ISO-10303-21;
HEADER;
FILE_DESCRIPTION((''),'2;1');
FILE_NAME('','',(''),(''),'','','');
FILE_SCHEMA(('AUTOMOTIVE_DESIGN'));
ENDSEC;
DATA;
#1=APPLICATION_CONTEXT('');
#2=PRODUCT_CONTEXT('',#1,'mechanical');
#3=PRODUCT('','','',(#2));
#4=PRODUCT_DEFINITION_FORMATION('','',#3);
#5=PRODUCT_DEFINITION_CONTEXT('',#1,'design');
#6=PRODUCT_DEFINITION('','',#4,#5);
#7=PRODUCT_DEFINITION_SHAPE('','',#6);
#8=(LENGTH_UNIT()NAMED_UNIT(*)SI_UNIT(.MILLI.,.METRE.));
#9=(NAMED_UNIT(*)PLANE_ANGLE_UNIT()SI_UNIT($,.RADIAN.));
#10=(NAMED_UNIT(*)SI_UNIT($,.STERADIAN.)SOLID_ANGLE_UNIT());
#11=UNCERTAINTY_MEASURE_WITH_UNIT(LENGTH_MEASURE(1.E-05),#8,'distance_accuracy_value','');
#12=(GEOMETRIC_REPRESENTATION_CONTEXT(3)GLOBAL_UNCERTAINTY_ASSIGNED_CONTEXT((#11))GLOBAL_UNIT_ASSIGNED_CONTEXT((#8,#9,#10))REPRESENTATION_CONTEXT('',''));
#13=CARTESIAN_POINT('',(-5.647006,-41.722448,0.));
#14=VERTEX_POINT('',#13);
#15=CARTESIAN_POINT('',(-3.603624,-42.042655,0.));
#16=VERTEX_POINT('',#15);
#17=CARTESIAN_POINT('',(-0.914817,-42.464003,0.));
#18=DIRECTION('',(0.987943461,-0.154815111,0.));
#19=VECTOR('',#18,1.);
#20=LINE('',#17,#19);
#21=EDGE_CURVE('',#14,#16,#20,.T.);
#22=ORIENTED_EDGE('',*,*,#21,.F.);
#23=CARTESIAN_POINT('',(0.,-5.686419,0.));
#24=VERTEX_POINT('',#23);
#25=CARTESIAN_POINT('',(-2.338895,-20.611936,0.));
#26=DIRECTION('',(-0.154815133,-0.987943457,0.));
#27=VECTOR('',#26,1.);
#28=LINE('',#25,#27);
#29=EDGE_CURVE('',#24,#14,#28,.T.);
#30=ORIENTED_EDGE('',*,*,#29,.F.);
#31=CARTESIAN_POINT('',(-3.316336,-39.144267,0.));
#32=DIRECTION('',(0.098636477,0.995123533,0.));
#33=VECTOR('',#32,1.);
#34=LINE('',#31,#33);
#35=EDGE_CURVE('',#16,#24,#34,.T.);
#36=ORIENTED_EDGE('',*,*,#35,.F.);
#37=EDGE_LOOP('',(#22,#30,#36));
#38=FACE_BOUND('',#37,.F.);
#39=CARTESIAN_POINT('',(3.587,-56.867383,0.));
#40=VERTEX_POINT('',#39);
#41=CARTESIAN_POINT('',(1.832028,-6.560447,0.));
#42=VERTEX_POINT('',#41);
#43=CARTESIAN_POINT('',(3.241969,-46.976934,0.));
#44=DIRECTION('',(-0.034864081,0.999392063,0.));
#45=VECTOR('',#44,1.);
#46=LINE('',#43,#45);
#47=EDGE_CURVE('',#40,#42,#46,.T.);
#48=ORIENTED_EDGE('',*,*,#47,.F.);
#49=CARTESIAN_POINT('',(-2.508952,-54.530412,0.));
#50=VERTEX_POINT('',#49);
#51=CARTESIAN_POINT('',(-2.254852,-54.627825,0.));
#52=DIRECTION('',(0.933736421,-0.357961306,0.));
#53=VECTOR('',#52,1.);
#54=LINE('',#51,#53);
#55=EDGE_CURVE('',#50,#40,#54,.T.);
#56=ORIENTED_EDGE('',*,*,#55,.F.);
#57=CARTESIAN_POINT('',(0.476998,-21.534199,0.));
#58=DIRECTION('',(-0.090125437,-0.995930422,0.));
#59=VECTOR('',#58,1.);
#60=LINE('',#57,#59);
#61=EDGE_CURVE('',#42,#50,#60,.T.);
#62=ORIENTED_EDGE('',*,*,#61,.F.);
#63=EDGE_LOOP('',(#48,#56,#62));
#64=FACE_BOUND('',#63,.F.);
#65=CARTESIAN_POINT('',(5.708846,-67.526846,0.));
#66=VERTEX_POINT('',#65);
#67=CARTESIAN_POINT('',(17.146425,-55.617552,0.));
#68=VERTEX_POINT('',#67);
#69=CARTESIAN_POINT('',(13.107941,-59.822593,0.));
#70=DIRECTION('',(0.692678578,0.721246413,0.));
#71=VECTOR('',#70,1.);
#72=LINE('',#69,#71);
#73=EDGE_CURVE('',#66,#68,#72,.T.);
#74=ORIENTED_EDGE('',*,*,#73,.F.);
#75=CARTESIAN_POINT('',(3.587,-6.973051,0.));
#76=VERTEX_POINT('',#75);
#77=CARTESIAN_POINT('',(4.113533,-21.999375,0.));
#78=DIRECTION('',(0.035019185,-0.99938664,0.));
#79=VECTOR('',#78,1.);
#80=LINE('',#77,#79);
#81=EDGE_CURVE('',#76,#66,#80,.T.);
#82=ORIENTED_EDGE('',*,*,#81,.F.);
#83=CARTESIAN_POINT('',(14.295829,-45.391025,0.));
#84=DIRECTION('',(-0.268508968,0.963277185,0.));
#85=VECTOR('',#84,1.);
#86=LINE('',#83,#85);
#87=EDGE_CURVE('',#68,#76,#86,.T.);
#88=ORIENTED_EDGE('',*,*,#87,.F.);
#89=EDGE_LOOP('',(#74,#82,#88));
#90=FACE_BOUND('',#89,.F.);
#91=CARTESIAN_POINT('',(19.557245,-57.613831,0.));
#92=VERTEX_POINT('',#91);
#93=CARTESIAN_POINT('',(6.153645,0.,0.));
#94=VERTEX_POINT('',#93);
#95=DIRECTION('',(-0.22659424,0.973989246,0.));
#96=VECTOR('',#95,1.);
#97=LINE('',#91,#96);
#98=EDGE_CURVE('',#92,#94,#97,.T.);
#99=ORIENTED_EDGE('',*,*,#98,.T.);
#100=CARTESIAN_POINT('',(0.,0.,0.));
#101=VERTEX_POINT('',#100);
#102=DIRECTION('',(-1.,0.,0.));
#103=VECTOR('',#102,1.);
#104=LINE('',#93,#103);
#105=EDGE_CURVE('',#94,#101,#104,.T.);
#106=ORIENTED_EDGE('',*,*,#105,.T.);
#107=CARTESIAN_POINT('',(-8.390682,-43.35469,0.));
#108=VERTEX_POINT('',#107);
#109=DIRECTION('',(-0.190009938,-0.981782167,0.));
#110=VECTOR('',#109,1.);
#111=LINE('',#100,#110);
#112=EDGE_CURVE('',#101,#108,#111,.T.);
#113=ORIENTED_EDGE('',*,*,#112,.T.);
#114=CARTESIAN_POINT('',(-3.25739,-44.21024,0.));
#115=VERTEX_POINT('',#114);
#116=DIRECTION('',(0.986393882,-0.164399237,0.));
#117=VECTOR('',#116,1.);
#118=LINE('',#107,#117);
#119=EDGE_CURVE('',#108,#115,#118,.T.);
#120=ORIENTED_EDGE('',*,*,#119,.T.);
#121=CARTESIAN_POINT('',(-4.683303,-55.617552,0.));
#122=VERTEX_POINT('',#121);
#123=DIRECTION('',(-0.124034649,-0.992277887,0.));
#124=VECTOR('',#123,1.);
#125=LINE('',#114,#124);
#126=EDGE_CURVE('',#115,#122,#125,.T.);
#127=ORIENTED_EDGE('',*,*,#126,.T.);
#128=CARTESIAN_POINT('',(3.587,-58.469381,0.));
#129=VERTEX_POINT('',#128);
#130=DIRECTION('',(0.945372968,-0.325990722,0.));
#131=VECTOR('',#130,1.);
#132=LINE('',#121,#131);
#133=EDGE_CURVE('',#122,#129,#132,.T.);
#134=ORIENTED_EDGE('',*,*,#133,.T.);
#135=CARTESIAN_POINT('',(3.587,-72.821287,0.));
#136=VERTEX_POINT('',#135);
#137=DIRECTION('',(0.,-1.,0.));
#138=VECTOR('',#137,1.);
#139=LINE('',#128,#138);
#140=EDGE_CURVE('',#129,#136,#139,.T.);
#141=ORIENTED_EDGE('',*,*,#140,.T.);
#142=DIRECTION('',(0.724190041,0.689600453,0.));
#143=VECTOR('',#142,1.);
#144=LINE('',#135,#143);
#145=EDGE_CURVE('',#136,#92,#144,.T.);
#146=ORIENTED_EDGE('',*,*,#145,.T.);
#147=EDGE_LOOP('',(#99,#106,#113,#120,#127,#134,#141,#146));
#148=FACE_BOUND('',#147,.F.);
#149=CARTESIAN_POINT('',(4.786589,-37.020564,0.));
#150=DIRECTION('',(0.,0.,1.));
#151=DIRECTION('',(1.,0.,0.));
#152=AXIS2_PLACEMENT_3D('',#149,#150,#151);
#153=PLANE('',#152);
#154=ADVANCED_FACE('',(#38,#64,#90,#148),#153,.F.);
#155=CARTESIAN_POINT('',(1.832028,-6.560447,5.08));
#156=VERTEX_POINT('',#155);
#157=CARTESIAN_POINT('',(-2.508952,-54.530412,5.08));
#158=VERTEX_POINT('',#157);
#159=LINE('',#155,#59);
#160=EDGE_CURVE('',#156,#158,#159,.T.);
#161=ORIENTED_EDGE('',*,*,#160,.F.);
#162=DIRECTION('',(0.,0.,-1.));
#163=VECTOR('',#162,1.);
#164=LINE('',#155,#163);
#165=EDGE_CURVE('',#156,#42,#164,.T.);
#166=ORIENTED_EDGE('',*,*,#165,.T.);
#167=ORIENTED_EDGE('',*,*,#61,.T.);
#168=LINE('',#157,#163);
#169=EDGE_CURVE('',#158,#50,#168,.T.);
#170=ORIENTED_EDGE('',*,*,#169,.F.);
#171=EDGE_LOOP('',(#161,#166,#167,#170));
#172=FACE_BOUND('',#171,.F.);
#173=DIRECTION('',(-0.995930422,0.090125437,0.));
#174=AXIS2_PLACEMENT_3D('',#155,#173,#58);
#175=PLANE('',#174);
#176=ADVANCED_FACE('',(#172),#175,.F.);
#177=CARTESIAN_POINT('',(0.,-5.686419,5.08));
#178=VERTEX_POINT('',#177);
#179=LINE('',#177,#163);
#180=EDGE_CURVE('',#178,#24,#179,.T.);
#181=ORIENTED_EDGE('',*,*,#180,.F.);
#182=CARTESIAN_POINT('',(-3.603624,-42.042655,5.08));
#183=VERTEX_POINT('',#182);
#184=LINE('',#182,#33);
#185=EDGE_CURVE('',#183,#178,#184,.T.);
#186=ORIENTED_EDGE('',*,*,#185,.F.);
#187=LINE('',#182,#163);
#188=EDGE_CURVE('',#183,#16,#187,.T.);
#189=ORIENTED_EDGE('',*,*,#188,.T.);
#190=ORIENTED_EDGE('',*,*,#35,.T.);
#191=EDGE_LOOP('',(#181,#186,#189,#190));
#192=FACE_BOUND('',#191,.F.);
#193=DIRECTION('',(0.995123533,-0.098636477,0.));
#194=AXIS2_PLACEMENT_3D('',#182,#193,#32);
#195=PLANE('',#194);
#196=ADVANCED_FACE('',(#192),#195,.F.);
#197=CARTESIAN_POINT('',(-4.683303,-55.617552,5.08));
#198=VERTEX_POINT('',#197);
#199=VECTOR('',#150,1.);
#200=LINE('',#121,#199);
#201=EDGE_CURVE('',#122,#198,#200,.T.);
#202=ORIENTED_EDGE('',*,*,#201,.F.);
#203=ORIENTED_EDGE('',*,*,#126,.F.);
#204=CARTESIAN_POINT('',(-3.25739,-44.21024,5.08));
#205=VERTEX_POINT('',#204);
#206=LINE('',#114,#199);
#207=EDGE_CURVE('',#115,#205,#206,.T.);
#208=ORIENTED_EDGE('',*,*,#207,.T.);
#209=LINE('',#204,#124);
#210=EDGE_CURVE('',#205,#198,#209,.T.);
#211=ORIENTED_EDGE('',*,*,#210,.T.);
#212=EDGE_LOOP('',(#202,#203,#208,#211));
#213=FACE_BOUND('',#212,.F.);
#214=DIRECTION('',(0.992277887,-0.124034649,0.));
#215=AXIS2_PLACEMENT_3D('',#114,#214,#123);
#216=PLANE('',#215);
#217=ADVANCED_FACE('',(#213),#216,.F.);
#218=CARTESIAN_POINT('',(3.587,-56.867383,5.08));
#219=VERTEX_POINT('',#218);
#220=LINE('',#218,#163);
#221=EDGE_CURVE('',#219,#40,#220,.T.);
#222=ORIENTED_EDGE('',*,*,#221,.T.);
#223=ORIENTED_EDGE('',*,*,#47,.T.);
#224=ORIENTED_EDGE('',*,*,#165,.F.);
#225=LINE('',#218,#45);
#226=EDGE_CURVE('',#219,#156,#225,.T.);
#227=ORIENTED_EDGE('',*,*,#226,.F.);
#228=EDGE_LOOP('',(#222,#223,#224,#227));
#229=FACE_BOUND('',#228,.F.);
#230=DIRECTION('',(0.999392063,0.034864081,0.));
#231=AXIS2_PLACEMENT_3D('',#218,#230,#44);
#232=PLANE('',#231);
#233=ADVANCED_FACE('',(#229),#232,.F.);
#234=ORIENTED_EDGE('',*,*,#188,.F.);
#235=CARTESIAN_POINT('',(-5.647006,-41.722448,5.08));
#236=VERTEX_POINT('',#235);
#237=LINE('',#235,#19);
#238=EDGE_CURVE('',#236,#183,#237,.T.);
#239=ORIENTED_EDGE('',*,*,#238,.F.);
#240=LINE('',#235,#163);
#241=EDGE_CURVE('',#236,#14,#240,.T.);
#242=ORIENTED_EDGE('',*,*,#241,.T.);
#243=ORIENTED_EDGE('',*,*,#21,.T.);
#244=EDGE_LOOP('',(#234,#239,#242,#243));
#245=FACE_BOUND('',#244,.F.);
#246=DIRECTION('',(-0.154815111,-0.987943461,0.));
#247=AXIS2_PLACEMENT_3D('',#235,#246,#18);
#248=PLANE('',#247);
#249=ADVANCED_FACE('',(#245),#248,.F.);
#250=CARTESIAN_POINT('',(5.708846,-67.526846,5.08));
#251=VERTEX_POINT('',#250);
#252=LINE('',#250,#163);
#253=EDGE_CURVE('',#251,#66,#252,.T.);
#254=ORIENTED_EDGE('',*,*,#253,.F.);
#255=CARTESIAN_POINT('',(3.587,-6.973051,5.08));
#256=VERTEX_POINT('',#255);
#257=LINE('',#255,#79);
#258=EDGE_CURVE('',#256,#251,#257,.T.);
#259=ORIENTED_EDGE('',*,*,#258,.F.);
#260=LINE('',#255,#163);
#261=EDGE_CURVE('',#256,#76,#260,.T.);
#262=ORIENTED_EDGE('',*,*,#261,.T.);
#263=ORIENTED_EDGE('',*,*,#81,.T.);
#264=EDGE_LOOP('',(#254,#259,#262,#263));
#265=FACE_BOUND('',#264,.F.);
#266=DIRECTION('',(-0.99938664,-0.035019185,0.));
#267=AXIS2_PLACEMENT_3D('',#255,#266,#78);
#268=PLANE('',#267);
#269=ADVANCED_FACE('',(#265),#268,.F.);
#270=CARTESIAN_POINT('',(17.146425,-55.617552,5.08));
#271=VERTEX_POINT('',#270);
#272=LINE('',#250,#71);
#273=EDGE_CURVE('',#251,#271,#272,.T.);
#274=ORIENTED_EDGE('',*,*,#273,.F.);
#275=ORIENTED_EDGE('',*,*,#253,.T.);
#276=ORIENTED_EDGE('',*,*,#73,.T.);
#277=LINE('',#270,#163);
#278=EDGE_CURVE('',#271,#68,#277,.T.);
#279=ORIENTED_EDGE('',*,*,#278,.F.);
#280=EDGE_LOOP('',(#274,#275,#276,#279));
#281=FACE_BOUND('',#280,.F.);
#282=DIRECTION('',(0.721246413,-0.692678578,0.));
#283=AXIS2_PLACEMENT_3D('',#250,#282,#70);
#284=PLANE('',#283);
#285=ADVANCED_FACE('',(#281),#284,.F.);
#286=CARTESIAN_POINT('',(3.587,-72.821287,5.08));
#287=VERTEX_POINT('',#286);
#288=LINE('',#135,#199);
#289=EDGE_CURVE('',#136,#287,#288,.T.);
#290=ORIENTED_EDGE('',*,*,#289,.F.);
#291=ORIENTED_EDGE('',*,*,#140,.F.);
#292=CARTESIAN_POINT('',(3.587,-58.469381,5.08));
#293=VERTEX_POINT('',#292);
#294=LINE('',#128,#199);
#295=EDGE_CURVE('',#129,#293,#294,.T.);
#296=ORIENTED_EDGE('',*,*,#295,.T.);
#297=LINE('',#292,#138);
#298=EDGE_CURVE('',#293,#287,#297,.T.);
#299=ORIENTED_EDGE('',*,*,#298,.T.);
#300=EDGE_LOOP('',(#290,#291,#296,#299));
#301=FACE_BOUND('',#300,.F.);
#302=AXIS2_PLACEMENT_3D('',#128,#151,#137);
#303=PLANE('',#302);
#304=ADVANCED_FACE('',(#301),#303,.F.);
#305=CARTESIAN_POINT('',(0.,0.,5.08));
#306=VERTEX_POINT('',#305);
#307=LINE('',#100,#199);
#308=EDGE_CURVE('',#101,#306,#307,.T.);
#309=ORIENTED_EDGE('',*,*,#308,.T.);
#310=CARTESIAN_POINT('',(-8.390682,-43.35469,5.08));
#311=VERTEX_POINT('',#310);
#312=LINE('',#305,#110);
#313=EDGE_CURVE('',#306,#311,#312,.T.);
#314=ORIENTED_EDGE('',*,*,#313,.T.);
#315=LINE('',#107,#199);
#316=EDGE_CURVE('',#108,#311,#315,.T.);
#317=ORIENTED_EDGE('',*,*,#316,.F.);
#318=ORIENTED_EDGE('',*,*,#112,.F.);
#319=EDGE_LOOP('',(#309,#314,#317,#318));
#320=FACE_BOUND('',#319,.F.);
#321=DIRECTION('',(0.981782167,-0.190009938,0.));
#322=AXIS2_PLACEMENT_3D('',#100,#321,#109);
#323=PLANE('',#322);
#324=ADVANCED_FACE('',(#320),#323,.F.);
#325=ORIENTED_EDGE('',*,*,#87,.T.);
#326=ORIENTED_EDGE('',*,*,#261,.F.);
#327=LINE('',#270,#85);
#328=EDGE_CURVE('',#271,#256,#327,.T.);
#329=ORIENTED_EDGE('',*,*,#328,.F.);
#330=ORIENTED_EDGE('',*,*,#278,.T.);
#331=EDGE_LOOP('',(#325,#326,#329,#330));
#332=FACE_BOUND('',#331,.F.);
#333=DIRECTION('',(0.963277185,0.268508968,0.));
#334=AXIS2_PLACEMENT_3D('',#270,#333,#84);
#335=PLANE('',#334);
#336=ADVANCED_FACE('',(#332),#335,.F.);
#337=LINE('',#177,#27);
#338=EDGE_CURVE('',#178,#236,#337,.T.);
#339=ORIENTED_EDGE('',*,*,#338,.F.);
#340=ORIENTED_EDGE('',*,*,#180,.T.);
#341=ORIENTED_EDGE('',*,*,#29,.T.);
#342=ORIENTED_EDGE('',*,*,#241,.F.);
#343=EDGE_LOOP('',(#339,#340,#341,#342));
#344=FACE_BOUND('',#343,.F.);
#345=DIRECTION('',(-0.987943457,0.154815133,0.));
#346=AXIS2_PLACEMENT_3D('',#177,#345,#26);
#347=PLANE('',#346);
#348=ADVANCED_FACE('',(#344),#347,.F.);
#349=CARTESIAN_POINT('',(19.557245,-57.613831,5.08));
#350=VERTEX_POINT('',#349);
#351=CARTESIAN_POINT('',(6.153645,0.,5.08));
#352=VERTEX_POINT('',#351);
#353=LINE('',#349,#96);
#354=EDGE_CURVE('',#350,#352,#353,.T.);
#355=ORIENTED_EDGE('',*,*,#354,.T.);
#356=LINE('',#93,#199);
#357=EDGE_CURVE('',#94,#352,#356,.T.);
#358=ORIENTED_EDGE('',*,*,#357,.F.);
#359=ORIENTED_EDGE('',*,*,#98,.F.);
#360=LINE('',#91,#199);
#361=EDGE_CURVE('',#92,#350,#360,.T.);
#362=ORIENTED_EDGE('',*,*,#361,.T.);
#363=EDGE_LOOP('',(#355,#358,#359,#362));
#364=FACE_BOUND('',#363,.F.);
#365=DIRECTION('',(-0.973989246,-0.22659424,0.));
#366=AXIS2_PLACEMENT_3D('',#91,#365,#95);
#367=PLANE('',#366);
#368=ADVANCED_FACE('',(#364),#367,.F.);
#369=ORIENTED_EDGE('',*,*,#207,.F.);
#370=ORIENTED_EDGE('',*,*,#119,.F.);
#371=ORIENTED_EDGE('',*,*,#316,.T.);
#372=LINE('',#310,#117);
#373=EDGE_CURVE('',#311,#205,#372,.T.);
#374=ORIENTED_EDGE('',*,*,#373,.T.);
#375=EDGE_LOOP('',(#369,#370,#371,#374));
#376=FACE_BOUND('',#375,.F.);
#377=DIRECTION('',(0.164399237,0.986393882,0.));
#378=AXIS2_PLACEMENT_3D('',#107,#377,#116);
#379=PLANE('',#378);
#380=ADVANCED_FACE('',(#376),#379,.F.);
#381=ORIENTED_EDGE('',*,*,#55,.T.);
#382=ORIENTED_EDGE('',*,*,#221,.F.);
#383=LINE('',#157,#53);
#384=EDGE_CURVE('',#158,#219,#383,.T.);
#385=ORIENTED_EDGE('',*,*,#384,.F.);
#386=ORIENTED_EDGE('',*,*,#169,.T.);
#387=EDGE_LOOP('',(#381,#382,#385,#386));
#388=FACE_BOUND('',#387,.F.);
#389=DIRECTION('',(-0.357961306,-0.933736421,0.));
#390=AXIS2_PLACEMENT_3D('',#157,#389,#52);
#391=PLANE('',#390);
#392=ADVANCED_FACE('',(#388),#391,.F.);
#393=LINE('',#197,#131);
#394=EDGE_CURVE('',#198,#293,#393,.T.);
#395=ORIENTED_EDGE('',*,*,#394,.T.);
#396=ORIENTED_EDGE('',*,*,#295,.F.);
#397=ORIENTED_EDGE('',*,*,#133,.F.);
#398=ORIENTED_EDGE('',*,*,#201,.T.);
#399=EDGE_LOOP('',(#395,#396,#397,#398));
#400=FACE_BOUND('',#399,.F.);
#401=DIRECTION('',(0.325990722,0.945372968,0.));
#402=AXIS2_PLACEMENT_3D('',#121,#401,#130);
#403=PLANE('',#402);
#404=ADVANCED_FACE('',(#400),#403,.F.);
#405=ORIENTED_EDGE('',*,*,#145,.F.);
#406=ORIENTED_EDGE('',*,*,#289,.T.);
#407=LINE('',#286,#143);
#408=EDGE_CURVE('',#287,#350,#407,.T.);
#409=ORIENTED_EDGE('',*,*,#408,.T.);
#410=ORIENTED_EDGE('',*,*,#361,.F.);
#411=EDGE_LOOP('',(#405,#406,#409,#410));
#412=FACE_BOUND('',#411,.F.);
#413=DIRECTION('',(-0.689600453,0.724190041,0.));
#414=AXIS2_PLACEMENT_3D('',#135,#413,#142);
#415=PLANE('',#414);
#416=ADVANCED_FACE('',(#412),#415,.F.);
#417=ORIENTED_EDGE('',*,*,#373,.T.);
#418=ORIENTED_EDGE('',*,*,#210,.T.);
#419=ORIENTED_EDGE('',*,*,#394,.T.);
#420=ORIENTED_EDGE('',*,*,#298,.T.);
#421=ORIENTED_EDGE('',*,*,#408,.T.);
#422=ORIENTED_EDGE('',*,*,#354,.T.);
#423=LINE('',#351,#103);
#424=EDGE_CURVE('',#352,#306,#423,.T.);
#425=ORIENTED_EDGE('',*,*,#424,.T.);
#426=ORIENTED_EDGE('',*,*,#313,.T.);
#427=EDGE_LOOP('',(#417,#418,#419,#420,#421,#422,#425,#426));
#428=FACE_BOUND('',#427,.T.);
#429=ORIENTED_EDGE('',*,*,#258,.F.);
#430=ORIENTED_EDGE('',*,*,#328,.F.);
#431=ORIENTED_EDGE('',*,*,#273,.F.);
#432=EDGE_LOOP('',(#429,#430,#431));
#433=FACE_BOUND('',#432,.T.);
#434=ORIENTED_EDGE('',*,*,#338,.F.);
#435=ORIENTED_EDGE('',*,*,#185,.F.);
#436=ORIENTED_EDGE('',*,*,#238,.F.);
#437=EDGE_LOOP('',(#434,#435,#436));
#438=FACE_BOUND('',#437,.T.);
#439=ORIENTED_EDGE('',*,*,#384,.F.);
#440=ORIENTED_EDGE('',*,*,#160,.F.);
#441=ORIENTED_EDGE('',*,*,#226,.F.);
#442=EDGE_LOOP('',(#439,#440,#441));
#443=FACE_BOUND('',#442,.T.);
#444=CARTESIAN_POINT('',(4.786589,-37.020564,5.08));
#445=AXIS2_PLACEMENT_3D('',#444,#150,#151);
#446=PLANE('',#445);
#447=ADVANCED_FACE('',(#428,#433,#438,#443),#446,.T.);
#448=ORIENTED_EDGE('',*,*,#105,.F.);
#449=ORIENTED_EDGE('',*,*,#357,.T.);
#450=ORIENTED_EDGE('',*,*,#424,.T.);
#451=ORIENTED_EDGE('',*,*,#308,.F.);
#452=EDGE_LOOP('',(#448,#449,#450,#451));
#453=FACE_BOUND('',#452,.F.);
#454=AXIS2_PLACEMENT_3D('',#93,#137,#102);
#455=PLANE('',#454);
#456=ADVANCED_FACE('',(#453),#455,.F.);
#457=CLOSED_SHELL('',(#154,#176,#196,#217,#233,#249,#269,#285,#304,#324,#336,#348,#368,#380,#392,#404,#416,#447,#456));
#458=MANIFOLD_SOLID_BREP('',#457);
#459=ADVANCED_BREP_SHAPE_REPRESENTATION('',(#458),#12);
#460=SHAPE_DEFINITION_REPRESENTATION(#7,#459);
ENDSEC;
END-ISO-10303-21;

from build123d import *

# Parameters (mm, degrees)
F1_DEPTH = 5.08
F3_DEPTH = 5.081


with BuildPart() as f1:
    # F0 (on Top) → F1 (new body)
    with BuildSketch(Plane.XY):
        Polygon((6.153645, 0), (0, 0), (-8.390682, -43.35469), (-3.25739, -44.21024), (-4.683303, -55.617552), (3.587, -58.469381), (3.587, -72.821287), (19.557245, -57.613831), align=None)
    extrude(amount=F1_DEPTH)

    # F2 (on face) → F3 (cut, through all)
    with BuildSketch(Plane.XY.offset(5.08)):
        Polygon((-3.603624, -42.042655), (0, -5.686419), (-5.647006, -41.722448), align=None)
        Polygon((1.832028, -6.560447), (-2.508952, -54.530412), (3.587, -56.867383), align=None)
        Polygon((17.146425, -55.617552), (3.587, -6.973051), (5.708846, -67.526846), align=None)
    extrude(amount=-F3_DEPTH, mode=Mode.SUBTRACT)


solid = f1.part
